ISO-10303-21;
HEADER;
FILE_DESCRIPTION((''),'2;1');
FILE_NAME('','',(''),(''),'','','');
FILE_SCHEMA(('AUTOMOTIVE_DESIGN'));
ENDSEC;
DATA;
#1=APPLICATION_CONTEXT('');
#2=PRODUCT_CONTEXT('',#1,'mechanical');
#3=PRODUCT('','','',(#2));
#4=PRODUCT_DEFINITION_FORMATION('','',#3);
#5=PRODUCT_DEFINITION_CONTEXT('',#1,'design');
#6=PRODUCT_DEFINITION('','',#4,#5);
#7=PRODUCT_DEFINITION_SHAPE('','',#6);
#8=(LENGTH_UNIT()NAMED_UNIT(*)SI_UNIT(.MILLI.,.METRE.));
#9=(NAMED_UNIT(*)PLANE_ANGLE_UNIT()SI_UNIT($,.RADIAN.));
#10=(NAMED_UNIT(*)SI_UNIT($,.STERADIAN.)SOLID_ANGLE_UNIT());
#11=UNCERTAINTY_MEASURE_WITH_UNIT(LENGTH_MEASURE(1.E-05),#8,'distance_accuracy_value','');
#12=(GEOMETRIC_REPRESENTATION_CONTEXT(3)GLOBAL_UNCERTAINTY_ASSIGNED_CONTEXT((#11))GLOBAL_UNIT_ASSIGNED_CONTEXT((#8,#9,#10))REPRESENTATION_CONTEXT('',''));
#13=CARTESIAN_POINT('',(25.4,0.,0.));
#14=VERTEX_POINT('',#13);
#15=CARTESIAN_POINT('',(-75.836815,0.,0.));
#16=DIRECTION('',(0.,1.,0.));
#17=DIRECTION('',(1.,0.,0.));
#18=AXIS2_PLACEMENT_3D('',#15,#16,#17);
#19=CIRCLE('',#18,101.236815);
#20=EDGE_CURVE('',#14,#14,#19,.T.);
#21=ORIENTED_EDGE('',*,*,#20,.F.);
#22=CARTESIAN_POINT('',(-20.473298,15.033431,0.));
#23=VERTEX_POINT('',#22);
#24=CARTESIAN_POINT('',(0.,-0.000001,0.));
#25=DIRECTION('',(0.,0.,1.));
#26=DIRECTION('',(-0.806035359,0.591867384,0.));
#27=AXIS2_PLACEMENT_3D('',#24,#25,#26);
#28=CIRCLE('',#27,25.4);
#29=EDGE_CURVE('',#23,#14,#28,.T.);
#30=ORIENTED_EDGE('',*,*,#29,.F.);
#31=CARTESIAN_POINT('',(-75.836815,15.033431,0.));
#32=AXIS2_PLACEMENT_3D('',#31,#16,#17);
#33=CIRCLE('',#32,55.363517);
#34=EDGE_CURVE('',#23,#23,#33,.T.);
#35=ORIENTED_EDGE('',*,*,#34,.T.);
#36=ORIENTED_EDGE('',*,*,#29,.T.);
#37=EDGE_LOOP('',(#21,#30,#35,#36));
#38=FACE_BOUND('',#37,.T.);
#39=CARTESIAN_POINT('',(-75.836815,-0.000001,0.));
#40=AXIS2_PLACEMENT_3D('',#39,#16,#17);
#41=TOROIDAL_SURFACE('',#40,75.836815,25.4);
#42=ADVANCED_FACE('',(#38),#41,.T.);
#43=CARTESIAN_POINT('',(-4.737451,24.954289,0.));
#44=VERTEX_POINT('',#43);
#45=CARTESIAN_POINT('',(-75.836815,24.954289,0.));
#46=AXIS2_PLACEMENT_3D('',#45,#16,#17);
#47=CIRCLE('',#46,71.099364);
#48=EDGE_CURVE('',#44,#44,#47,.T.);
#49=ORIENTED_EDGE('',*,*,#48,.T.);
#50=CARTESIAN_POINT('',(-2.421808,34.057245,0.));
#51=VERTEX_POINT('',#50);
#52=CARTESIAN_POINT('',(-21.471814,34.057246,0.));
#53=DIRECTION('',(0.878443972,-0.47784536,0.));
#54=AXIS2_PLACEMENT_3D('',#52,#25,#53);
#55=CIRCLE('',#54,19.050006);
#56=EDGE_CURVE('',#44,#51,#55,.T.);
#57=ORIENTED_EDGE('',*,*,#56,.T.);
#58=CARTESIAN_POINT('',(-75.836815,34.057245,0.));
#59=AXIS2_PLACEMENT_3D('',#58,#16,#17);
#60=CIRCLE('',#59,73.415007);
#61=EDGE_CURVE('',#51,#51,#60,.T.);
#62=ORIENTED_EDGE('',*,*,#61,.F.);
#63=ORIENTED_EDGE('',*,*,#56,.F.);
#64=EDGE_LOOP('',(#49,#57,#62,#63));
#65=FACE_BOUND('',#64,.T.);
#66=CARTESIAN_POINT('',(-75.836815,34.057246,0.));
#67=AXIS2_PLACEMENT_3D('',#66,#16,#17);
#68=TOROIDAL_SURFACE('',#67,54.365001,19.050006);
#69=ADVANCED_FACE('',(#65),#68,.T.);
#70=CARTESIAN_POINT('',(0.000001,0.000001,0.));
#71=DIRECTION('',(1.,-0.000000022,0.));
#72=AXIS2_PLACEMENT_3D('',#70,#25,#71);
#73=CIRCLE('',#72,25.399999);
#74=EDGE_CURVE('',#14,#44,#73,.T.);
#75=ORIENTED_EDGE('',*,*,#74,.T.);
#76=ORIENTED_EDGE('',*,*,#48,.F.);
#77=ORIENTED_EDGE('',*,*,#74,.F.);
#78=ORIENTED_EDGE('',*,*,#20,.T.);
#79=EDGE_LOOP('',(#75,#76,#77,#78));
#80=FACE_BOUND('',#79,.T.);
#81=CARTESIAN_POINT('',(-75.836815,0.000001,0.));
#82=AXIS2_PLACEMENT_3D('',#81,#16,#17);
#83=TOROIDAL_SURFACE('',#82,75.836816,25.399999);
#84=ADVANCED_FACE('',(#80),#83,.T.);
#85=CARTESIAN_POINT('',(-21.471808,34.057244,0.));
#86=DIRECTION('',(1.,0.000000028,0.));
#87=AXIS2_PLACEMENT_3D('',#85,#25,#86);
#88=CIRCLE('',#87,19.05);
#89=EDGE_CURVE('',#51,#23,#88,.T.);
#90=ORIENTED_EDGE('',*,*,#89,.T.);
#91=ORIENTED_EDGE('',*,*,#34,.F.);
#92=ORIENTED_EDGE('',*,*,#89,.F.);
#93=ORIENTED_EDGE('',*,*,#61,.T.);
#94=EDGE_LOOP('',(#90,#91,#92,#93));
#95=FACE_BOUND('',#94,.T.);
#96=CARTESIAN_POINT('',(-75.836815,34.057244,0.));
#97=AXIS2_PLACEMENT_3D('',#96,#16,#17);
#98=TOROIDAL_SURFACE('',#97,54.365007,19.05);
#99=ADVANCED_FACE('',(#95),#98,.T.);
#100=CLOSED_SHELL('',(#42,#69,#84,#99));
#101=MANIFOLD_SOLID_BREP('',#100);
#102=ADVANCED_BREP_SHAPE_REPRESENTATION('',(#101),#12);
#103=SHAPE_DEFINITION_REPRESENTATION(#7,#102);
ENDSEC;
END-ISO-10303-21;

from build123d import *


with BuildPart() as f2:
    # F0 (on Top) → F2 (revolve)
    with BuildSketch(Plane.XY):
        with BuildLine():
            ThreePointArc((-20.473298, 15.033431), (-13.546266, 21.486244), (-4.737451, 24.954289))
            ThreePointArc((-4.737451, 24.954289), (-3.009793, 29.36081), (-2.421808, 34.057245))
            ThreePointArc((-2.421808, 34.057245), (-35.29071, 47.169851), (-20.473298, 15.033431))
        make_face()
        with BuildLine():
            ThreePointArc((-20.473298, 15.033431), (-11.312108, 17.942562), (-4.737451, 24.954289))
            ThreePointArc((-4.737451, 24.954289), (-13.546266, 21.486244), (-20.473298, 15.033431))
        make_face()
        with BuildLine():
            ThreePointArc((-20.473298, 15.033431), (-7.910064, -24.13692), (25.4, 0))
            ThreePointArc((25.4, 0), (16.199209, 19.563886), (-4.737451, 24.954289))
            ThreePointArc((-4.737451, 24.954289), (-11.312108, 17.942562), (-20.473298, 15.033431))
        make_face()
    revolve(axis=Axis((-75.836815, 13.886629, 0), (0, 1, 0)))


solid = f2.part
